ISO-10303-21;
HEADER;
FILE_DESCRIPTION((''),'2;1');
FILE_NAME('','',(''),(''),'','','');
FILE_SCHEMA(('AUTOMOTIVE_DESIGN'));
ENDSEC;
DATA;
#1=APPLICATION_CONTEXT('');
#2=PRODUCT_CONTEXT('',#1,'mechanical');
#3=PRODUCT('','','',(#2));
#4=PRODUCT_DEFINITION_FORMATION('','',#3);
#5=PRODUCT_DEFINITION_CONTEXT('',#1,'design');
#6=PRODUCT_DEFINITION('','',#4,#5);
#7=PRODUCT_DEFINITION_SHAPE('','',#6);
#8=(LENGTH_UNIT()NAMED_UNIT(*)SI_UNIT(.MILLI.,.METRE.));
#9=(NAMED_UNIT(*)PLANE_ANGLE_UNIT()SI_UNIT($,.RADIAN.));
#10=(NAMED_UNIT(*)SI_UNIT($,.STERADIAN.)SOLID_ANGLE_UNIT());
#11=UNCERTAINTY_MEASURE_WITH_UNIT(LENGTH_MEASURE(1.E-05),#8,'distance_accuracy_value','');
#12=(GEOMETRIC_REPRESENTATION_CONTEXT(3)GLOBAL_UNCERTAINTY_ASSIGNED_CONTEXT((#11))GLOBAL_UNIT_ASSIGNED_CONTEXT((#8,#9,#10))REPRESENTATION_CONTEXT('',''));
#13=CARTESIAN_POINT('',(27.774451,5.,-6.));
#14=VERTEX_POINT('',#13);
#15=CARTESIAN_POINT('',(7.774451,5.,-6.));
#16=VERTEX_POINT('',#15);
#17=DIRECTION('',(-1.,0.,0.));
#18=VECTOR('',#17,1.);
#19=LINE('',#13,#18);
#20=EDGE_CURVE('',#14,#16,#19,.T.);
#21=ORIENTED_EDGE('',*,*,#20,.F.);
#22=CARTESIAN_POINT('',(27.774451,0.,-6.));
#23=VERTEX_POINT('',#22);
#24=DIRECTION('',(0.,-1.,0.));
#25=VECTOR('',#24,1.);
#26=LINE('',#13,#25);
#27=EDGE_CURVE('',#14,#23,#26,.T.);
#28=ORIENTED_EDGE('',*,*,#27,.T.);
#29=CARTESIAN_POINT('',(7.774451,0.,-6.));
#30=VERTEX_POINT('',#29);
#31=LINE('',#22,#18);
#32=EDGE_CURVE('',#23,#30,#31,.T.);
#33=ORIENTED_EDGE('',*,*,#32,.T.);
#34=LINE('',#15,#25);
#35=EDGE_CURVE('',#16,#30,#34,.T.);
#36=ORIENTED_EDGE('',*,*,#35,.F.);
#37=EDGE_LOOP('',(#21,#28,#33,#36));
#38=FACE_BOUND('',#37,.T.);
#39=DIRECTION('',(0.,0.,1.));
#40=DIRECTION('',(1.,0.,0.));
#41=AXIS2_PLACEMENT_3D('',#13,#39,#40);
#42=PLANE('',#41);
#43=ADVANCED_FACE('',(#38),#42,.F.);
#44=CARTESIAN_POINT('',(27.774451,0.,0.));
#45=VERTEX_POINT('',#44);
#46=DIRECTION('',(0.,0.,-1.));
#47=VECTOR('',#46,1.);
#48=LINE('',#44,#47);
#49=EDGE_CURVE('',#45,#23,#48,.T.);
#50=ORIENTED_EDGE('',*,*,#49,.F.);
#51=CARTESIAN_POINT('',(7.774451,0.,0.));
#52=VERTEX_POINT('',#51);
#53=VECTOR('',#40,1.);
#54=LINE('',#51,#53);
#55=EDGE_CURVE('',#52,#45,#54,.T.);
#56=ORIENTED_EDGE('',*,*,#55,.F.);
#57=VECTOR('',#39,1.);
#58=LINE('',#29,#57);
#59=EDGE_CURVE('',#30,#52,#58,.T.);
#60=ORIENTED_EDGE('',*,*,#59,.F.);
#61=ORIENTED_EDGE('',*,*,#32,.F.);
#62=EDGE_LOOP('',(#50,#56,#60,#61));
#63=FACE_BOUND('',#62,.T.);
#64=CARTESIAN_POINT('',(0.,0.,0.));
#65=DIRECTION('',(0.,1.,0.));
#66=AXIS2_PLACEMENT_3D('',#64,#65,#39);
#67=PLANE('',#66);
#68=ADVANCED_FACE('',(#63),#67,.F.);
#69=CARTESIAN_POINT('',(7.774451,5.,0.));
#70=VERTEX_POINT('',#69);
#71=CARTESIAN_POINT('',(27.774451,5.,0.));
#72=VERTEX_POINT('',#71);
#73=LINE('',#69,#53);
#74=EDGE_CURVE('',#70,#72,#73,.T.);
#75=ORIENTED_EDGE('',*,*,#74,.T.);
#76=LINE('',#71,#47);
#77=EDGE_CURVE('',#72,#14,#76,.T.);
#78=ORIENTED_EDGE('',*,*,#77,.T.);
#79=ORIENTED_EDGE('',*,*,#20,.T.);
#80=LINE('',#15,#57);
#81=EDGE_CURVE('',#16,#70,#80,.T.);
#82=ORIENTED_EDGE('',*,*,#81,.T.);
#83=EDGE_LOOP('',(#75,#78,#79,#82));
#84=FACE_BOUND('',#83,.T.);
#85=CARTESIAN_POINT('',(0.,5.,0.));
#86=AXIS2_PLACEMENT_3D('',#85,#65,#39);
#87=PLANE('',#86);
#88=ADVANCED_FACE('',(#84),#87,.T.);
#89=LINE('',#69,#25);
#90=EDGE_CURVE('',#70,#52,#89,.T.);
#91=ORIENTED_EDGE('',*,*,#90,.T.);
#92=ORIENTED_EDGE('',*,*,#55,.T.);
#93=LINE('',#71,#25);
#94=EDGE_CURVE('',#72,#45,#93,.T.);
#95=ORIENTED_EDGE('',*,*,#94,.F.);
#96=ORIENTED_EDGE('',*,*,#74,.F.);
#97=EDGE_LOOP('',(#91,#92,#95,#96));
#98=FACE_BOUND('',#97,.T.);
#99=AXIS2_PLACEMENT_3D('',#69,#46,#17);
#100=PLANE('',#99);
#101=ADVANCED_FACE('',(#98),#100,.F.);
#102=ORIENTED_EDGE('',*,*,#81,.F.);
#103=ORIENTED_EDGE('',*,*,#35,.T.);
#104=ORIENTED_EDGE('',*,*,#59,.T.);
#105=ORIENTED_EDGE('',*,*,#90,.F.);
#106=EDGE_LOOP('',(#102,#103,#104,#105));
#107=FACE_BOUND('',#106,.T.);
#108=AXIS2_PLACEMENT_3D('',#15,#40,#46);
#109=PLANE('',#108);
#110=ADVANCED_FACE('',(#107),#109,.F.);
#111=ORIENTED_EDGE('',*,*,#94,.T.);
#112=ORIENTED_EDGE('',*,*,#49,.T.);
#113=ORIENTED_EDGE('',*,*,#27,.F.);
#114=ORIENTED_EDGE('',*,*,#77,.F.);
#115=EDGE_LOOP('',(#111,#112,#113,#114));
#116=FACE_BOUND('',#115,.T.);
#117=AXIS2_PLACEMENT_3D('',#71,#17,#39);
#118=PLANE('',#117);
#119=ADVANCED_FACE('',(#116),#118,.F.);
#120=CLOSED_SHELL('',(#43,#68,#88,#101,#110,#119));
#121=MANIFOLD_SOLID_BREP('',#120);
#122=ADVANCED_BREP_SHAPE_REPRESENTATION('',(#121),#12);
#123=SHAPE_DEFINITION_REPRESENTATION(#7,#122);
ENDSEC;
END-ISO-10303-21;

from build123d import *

# Parameters (mm, degrees)
SKETCH_1_W      = 20
SKETCH_1_H      = 6
EXTRUDE_1_DEPTH = 5


with BuildPart() as part:
    # 草图1 → 凸台-拉伸1 (new body)
    with BuildSketch(Plane(origin=(0, 0, 0), x_dir=(1, 0, 0), z_dir=(0, 1, 0))):
        with Locations((17.774451091, 3)):
            Rectangle(SKETCH_1_W, SKETCH_1_H)
    extrude(amount=EXTRUDE_1_DEPTH)


solid = part.part
